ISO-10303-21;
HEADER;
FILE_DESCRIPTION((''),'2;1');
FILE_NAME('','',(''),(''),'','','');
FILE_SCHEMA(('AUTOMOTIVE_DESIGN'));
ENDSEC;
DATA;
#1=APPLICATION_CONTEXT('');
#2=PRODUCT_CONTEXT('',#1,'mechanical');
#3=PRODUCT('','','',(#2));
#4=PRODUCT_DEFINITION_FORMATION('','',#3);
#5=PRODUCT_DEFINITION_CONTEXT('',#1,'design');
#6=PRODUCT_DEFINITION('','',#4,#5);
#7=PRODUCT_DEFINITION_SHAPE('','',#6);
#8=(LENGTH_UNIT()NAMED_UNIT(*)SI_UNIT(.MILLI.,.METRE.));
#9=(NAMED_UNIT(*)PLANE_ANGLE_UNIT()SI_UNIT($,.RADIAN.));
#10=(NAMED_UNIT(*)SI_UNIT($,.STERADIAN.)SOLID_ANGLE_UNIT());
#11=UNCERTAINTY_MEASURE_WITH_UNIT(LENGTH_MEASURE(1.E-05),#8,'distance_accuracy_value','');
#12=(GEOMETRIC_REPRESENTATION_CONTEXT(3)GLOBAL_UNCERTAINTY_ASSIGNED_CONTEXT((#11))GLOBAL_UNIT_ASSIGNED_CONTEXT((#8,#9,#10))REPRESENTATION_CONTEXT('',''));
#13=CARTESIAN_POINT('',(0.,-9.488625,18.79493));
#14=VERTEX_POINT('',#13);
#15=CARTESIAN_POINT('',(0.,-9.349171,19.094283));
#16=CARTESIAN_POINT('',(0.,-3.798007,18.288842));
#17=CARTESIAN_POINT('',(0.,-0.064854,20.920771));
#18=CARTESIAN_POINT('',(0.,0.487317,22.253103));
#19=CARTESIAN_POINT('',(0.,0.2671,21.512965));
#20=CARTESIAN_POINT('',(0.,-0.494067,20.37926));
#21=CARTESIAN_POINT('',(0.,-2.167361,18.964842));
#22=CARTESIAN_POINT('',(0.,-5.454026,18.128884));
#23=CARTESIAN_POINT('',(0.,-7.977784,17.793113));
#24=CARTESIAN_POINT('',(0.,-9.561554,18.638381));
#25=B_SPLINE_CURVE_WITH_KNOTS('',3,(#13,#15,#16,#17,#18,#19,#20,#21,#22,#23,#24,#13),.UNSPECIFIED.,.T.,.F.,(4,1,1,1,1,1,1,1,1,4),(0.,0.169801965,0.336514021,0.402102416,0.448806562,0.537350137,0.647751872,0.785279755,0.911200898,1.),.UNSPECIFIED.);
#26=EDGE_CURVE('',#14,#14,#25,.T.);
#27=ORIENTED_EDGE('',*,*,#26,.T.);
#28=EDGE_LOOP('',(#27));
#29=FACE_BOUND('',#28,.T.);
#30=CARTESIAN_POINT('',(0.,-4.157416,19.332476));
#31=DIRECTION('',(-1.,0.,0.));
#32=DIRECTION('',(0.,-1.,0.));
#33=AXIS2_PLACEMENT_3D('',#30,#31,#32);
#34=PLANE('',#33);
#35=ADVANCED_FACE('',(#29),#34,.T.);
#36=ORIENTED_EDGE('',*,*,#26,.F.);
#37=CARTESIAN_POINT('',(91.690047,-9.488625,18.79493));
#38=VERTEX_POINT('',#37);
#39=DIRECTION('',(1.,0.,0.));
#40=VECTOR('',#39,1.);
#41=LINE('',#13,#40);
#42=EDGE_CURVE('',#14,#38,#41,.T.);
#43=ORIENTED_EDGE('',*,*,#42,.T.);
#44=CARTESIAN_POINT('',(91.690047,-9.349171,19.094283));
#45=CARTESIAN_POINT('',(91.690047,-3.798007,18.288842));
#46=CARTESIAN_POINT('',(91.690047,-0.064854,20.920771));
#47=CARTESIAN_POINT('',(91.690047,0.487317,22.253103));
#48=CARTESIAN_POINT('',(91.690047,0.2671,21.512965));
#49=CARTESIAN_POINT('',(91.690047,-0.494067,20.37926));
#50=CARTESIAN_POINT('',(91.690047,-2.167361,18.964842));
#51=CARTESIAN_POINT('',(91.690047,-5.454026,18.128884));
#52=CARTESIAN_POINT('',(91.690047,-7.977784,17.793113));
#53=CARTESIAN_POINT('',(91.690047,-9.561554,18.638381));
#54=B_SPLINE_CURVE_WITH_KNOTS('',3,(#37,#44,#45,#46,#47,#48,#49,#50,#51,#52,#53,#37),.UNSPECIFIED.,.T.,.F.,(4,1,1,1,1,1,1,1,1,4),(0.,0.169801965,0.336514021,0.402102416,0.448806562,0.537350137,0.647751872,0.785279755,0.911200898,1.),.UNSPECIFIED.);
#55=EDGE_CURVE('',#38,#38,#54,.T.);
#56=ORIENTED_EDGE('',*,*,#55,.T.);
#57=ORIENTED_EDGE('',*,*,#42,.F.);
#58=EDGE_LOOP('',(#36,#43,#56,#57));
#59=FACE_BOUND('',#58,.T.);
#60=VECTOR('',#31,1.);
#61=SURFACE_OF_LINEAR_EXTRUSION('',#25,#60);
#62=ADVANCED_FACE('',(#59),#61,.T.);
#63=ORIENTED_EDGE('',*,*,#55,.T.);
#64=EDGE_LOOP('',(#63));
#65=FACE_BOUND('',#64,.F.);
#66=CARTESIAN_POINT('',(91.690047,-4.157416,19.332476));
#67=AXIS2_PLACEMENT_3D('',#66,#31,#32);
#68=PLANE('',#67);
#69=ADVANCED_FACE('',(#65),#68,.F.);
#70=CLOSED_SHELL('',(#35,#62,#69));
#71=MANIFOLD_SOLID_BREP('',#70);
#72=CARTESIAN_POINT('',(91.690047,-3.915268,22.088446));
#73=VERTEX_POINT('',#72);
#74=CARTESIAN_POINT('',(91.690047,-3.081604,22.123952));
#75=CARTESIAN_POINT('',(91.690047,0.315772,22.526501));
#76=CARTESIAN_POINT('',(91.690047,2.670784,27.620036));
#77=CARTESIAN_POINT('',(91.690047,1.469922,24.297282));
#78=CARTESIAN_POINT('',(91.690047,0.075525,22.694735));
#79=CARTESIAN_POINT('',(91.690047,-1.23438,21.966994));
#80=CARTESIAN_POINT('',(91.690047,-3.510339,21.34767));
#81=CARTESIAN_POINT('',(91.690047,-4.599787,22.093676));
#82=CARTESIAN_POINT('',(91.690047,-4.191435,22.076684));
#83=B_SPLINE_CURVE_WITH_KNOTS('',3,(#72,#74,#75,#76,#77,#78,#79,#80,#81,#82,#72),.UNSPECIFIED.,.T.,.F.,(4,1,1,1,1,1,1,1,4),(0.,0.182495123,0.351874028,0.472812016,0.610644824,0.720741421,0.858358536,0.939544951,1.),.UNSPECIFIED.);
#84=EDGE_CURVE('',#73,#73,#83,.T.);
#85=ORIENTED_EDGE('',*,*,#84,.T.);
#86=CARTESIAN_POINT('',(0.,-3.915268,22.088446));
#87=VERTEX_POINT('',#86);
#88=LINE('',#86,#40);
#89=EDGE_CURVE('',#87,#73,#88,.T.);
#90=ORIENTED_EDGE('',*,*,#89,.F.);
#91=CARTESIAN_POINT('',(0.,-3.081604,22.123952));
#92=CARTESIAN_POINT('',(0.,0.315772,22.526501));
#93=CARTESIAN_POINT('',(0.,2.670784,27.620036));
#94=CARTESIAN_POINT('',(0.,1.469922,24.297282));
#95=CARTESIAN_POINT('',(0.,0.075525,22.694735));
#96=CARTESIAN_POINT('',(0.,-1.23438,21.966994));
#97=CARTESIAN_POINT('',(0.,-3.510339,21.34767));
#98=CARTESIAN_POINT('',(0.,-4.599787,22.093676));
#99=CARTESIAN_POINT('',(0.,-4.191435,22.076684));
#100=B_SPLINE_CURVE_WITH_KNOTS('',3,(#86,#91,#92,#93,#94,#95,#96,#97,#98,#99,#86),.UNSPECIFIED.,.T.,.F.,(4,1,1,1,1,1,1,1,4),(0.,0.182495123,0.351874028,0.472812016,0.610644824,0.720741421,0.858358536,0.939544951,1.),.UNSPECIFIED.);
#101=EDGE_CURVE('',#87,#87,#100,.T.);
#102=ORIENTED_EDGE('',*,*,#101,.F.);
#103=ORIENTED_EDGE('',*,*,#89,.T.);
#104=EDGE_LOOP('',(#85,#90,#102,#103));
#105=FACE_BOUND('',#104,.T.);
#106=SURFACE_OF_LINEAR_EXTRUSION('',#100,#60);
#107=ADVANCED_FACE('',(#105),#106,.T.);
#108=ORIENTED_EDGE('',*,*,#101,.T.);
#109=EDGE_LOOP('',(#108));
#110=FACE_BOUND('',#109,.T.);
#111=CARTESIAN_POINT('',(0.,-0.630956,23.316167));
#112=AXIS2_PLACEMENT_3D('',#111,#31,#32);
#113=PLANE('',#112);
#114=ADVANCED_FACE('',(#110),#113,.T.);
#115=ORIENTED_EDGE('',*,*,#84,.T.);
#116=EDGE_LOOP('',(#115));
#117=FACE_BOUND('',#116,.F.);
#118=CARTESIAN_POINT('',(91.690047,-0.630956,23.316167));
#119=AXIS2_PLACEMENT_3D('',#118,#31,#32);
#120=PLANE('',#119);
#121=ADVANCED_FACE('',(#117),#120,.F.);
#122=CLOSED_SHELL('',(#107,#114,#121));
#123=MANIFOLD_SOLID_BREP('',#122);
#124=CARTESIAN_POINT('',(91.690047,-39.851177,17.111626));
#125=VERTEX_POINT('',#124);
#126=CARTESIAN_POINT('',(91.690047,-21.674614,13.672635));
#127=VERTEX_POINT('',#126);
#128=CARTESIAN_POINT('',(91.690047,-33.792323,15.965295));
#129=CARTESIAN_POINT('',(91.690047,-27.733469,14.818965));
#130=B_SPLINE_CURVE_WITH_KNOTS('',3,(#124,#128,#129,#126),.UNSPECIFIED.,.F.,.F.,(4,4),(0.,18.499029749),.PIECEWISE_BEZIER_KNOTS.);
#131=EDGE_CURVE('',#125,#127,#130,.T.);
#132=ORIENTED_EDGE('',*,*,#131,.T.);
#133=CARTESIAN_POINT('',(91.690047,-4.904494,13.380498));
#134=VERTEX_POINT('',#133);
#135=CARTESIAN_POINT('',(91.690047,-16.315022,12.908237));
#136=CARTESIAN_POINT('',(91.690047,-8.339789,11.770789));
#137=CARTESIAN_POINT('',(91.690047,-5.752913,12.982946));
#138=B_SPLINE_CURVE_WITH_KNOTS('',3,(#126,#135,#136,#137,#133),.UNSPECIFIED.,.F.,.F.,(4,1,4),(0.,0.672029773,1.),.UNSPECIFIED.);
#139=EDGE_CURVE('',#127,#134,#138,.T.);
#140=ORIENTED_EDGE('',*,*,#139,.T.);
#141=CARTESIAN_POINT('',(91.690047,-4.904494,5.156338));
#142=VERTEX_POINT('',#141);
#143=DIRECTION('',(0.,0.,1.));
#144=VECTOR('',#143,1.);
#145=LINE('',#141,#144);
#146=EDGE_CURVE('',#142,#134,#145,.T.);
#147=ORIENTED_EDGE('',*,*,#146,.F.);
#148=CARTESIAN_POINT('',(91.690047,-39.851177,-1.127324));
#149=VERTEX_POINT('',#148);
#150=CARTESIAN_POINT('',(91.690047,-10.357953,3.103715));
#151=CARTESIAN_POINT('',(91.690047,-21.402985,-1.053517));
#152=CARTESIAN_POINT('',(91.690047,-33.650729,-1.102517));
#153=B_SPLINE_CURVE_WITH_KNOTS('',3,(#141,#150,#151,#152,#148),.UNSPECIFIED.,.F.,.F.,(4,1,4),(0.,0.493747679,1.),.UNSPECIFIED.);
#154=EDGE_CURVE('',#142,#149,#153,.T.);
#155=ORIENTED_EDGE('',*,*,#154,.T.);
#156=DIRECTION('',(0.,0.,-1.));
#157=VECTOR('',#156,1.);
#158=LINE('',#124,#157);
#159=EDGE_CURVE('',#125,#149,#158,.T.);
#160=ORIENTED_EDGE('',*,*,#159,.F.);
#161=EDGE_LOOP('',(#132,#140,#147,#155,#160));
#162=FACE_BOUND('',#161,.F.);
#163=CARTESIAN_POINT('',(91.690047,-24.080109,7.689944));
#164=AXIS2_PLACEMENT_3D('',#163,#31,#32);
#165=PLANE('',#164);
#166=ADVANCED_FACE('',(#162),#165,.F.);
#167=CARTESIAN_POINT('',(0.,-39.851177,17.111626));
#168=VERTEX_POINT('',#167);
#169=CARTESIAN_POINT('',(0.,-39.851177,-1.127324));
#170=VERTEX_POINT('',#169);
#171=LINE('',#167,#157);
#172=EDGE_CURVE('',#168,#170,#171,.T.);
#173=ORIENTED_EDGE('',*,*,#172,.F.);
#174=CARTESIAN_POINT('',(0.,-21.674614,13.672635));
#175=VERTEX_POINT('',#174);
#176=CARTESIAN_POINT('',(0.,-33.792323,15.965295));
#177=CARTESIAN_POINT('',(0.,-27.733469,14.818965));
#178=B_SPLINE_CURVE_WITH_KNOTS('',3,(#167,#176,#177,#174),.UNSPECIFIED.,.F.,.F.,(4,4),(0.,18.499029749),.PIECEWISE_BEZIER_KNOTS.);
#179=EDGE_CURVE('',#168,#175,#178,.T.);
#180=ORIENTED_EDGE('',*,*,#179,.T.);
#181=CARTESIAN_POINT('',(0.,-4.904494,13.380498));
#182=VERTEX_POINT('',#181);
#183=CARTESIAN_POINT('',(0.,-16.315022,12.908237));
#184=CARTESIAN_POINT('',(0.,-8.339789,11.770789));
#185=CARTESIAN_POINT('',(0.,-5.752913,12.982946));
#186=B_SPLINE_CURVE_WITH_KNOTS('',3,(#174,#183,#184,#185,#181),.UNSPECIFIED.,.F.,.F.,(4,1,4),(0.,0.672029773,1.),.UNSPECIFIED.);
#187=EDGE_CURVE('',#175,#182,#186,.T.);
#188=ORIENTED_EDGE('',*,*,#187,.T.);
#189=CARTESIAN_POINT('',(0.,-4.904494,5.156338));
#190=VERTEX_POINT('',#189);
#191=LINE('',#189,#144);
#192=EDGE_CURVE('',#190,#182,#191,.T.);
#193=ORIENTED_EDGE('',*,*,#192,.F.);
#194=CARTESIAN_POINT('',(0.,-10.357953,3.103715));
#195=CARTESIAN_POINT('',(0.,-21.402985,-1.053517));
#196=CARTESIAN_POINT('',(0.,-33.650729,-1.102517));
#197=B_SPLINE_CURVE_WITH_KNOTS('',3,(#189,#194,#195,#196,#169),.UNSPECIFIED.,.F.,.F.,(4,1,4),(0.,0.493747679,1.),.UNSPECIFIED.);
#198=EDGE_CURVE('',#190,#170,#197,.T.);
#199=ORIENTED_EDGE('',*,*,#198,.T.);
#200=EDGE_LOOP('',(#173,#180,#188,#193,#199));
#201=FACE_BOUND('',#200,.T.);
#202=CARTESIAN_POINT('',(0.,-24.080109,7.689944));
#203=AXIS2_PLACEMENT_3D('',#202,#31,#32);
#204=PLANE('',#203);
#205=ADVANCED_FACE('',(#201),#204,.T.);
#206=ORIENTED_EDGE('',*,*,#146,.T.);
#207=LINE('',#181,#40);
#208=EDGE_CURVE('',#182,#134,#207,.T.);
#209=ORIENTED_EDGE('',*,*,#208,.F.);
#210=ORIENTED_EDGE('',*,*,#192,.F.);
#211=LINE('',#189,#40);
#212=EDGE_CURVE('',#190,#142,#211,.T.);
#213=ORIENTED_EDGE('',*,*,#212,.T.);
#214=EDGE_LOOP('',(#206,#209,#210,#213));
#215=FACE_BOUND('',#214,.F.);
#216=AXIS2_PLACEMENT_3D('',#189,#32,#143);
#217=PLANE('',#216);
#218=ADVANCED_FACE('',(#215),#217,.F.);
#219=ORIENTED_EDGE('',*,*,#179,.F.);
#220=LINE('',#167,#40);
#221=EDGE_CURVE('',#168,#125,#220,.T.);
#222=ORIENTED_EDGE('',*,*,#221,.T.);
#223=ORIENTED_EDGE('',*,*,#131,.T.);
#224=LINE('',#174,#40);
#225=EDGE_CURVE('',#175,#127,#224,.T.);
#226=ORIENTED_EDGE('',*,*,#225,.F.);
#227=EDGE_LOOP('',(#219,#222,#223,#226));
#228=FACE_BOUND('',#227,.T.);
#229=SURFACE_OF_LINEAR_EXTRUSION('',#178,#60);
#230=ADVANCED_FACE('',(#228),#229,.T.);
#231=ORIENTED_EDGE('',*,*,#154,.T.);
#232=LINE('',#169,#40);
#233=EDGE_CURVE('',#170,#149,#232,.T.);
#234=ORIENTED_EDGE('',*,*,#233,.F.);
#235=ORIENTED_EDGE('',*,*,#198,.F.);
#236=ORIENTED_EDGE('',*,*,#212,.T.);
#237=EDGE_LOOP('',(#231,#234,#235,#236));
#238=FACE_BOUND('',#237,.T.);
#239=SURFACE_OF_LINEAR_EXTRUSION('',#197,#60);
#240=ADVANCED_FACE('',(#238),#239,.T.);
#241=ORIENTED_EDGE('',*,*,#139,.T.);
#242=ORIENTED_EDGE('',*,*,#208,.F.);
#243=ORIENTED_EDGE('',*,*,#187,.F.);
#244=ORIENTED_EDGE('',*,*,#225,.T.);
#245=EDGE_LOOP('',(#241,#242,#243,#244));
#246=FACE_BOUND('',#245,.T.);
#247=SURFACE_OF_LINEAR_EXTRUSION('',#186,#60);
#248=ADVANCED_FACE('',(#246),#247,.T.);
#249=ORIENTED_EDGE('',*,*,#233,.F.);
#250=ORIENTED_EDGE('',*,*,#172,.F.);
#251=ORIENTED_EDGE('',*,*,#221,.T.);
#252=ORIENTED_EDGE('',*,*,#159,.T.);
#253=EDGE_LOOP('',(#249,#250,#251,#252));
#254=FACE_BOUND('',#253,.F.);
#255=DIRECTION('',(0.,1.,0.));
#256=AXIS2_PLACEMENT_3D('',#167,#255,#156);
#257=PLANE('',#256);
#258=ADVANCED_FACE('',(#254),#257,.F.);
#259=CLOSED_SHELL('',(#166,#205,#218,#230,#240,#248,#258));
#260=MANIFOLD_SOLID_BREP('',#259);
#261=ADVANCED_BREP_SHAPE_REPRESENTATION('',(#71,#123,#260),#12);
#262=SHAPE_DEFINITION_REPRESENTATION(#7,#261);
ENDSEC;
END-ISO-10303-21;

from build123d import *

# Parameters (mm, degrees)
F1_DEPTH = 91.6900467128


with BuildPart() as f1:
    # F0 (on Right) → F1 (new body)
    with BuildSketch(Plane.YZ):
        with BuildLine():
            add(Edge.make_bspline(
                [(-21.6746143997, 13.6726349592), (-16.3150219827, 12.9082365016), (-8.339788747, 11.7707890185), (-5.7529133367, 12.9829459822), (-4.9044936895, 13.380497694)],
                knots=[0, 0, 0, 0, 0.6720297727, 1, 1, 1, 1], degree=3))
            add(Edge.make_bspline(
                [(-39.8511774838, 17.1116255224), (-33.7923225015, 15.965295257), (-27.7334693819, 14.8189652245), (-21.6746143997, 13.6726349592)],
                knots=[0, 0, 0, 0, 18.4990297487, 18.4990297487, 18.4990297487, 18.4990297487], degree=3))
            Line((-39.8511774838, 17.1116255224), (-39.8511774838, -1.1273240671))
            add(Edge.make_bspline(
                [(-4.9044936895, 5.1563382149), (-10.357952847, 3.1037146574), (-21.402985251, -1.0535174034), (-33.6507288062, -1.1025170822), (-39.8511774838, -1.1273240671)],
                knots=[0, 0, 0, 0, 0.493747679, 1, 1, 1, 1], degree=3))
            Line((-4.9044936895, 5.1563382149), (-4.9044936895, 13.380497694))
        make_face()
    extrude(amount=F1_DEPTH)


with BuildPart() as f1b:
    # F0 (on Right) → F1, piece 2 (new body)
    with BuildSketch(Plane.YZ):
        with BuildLine():
            add(Edge.make_bspline(
                [(-9.4886254519, 18.7949296087), (-9.3491707777, 19.0942832837), (-3.7980066482, 18.2888419659), (-0.0648544501, 20.9207711778), (0.4873174115, 22.2531032168), (0.2671003377, 21.5129646504), (-0.4940670493, 20.3792598866), (-2.1673605251, 18.9648423728), (-5.4540262893, 18.1288844652), (-7.9777842148, 17.7931132779), (-9.56155423, 18.6383805518), (-9.4886254519, 18.7949296087)],
                knots=[0, 0, 0, 0, 0.1698019649, 0.3365140205, 0.4021024164, 0.4488065618, 0.537350137, 0.647751872, 0.7852797551, 0.9112008982, 1, 1, 1, 1], degree=3))
        make_face()
    extrude(amount=F1_DEPTH)


with BuildPart() as f1c:
    # F0 (on Right) → F1, piece 3 (new body)
    with BuildSketch(Plane.YZ):
        with BuildLine():
            add(Edge.make_bspline(
                [(-3.9152679965, 22.0884457231), (-3.0816040409, 22.1239520124), (0.3157720645, 22.5265014424), (2.670784019, 27.6200360174), (1.4699224633, 24.2972820524), (0.075525159, 22.6947351147), (-1.234380231, 21.966993966), (-3.510339092, 21.3476700108), (-4.5997867714, 22.0936756445), (-4.1914353522, 22.076683576), (-3.9152679965, 22.0884457231)],
                knots=[0, 0, 0, 0, 0.1824951229, 0.3518740283, 0.4728120158, 0.6106448244, 0.7207414211, 0.8583585356, 0.9395449507, 1, 1, 1, 1], degree=3))
        make_face()
    extrude(amount=F1_DEPTH)


solid = Compound([f1.part, f1b.part, f1c.part])
